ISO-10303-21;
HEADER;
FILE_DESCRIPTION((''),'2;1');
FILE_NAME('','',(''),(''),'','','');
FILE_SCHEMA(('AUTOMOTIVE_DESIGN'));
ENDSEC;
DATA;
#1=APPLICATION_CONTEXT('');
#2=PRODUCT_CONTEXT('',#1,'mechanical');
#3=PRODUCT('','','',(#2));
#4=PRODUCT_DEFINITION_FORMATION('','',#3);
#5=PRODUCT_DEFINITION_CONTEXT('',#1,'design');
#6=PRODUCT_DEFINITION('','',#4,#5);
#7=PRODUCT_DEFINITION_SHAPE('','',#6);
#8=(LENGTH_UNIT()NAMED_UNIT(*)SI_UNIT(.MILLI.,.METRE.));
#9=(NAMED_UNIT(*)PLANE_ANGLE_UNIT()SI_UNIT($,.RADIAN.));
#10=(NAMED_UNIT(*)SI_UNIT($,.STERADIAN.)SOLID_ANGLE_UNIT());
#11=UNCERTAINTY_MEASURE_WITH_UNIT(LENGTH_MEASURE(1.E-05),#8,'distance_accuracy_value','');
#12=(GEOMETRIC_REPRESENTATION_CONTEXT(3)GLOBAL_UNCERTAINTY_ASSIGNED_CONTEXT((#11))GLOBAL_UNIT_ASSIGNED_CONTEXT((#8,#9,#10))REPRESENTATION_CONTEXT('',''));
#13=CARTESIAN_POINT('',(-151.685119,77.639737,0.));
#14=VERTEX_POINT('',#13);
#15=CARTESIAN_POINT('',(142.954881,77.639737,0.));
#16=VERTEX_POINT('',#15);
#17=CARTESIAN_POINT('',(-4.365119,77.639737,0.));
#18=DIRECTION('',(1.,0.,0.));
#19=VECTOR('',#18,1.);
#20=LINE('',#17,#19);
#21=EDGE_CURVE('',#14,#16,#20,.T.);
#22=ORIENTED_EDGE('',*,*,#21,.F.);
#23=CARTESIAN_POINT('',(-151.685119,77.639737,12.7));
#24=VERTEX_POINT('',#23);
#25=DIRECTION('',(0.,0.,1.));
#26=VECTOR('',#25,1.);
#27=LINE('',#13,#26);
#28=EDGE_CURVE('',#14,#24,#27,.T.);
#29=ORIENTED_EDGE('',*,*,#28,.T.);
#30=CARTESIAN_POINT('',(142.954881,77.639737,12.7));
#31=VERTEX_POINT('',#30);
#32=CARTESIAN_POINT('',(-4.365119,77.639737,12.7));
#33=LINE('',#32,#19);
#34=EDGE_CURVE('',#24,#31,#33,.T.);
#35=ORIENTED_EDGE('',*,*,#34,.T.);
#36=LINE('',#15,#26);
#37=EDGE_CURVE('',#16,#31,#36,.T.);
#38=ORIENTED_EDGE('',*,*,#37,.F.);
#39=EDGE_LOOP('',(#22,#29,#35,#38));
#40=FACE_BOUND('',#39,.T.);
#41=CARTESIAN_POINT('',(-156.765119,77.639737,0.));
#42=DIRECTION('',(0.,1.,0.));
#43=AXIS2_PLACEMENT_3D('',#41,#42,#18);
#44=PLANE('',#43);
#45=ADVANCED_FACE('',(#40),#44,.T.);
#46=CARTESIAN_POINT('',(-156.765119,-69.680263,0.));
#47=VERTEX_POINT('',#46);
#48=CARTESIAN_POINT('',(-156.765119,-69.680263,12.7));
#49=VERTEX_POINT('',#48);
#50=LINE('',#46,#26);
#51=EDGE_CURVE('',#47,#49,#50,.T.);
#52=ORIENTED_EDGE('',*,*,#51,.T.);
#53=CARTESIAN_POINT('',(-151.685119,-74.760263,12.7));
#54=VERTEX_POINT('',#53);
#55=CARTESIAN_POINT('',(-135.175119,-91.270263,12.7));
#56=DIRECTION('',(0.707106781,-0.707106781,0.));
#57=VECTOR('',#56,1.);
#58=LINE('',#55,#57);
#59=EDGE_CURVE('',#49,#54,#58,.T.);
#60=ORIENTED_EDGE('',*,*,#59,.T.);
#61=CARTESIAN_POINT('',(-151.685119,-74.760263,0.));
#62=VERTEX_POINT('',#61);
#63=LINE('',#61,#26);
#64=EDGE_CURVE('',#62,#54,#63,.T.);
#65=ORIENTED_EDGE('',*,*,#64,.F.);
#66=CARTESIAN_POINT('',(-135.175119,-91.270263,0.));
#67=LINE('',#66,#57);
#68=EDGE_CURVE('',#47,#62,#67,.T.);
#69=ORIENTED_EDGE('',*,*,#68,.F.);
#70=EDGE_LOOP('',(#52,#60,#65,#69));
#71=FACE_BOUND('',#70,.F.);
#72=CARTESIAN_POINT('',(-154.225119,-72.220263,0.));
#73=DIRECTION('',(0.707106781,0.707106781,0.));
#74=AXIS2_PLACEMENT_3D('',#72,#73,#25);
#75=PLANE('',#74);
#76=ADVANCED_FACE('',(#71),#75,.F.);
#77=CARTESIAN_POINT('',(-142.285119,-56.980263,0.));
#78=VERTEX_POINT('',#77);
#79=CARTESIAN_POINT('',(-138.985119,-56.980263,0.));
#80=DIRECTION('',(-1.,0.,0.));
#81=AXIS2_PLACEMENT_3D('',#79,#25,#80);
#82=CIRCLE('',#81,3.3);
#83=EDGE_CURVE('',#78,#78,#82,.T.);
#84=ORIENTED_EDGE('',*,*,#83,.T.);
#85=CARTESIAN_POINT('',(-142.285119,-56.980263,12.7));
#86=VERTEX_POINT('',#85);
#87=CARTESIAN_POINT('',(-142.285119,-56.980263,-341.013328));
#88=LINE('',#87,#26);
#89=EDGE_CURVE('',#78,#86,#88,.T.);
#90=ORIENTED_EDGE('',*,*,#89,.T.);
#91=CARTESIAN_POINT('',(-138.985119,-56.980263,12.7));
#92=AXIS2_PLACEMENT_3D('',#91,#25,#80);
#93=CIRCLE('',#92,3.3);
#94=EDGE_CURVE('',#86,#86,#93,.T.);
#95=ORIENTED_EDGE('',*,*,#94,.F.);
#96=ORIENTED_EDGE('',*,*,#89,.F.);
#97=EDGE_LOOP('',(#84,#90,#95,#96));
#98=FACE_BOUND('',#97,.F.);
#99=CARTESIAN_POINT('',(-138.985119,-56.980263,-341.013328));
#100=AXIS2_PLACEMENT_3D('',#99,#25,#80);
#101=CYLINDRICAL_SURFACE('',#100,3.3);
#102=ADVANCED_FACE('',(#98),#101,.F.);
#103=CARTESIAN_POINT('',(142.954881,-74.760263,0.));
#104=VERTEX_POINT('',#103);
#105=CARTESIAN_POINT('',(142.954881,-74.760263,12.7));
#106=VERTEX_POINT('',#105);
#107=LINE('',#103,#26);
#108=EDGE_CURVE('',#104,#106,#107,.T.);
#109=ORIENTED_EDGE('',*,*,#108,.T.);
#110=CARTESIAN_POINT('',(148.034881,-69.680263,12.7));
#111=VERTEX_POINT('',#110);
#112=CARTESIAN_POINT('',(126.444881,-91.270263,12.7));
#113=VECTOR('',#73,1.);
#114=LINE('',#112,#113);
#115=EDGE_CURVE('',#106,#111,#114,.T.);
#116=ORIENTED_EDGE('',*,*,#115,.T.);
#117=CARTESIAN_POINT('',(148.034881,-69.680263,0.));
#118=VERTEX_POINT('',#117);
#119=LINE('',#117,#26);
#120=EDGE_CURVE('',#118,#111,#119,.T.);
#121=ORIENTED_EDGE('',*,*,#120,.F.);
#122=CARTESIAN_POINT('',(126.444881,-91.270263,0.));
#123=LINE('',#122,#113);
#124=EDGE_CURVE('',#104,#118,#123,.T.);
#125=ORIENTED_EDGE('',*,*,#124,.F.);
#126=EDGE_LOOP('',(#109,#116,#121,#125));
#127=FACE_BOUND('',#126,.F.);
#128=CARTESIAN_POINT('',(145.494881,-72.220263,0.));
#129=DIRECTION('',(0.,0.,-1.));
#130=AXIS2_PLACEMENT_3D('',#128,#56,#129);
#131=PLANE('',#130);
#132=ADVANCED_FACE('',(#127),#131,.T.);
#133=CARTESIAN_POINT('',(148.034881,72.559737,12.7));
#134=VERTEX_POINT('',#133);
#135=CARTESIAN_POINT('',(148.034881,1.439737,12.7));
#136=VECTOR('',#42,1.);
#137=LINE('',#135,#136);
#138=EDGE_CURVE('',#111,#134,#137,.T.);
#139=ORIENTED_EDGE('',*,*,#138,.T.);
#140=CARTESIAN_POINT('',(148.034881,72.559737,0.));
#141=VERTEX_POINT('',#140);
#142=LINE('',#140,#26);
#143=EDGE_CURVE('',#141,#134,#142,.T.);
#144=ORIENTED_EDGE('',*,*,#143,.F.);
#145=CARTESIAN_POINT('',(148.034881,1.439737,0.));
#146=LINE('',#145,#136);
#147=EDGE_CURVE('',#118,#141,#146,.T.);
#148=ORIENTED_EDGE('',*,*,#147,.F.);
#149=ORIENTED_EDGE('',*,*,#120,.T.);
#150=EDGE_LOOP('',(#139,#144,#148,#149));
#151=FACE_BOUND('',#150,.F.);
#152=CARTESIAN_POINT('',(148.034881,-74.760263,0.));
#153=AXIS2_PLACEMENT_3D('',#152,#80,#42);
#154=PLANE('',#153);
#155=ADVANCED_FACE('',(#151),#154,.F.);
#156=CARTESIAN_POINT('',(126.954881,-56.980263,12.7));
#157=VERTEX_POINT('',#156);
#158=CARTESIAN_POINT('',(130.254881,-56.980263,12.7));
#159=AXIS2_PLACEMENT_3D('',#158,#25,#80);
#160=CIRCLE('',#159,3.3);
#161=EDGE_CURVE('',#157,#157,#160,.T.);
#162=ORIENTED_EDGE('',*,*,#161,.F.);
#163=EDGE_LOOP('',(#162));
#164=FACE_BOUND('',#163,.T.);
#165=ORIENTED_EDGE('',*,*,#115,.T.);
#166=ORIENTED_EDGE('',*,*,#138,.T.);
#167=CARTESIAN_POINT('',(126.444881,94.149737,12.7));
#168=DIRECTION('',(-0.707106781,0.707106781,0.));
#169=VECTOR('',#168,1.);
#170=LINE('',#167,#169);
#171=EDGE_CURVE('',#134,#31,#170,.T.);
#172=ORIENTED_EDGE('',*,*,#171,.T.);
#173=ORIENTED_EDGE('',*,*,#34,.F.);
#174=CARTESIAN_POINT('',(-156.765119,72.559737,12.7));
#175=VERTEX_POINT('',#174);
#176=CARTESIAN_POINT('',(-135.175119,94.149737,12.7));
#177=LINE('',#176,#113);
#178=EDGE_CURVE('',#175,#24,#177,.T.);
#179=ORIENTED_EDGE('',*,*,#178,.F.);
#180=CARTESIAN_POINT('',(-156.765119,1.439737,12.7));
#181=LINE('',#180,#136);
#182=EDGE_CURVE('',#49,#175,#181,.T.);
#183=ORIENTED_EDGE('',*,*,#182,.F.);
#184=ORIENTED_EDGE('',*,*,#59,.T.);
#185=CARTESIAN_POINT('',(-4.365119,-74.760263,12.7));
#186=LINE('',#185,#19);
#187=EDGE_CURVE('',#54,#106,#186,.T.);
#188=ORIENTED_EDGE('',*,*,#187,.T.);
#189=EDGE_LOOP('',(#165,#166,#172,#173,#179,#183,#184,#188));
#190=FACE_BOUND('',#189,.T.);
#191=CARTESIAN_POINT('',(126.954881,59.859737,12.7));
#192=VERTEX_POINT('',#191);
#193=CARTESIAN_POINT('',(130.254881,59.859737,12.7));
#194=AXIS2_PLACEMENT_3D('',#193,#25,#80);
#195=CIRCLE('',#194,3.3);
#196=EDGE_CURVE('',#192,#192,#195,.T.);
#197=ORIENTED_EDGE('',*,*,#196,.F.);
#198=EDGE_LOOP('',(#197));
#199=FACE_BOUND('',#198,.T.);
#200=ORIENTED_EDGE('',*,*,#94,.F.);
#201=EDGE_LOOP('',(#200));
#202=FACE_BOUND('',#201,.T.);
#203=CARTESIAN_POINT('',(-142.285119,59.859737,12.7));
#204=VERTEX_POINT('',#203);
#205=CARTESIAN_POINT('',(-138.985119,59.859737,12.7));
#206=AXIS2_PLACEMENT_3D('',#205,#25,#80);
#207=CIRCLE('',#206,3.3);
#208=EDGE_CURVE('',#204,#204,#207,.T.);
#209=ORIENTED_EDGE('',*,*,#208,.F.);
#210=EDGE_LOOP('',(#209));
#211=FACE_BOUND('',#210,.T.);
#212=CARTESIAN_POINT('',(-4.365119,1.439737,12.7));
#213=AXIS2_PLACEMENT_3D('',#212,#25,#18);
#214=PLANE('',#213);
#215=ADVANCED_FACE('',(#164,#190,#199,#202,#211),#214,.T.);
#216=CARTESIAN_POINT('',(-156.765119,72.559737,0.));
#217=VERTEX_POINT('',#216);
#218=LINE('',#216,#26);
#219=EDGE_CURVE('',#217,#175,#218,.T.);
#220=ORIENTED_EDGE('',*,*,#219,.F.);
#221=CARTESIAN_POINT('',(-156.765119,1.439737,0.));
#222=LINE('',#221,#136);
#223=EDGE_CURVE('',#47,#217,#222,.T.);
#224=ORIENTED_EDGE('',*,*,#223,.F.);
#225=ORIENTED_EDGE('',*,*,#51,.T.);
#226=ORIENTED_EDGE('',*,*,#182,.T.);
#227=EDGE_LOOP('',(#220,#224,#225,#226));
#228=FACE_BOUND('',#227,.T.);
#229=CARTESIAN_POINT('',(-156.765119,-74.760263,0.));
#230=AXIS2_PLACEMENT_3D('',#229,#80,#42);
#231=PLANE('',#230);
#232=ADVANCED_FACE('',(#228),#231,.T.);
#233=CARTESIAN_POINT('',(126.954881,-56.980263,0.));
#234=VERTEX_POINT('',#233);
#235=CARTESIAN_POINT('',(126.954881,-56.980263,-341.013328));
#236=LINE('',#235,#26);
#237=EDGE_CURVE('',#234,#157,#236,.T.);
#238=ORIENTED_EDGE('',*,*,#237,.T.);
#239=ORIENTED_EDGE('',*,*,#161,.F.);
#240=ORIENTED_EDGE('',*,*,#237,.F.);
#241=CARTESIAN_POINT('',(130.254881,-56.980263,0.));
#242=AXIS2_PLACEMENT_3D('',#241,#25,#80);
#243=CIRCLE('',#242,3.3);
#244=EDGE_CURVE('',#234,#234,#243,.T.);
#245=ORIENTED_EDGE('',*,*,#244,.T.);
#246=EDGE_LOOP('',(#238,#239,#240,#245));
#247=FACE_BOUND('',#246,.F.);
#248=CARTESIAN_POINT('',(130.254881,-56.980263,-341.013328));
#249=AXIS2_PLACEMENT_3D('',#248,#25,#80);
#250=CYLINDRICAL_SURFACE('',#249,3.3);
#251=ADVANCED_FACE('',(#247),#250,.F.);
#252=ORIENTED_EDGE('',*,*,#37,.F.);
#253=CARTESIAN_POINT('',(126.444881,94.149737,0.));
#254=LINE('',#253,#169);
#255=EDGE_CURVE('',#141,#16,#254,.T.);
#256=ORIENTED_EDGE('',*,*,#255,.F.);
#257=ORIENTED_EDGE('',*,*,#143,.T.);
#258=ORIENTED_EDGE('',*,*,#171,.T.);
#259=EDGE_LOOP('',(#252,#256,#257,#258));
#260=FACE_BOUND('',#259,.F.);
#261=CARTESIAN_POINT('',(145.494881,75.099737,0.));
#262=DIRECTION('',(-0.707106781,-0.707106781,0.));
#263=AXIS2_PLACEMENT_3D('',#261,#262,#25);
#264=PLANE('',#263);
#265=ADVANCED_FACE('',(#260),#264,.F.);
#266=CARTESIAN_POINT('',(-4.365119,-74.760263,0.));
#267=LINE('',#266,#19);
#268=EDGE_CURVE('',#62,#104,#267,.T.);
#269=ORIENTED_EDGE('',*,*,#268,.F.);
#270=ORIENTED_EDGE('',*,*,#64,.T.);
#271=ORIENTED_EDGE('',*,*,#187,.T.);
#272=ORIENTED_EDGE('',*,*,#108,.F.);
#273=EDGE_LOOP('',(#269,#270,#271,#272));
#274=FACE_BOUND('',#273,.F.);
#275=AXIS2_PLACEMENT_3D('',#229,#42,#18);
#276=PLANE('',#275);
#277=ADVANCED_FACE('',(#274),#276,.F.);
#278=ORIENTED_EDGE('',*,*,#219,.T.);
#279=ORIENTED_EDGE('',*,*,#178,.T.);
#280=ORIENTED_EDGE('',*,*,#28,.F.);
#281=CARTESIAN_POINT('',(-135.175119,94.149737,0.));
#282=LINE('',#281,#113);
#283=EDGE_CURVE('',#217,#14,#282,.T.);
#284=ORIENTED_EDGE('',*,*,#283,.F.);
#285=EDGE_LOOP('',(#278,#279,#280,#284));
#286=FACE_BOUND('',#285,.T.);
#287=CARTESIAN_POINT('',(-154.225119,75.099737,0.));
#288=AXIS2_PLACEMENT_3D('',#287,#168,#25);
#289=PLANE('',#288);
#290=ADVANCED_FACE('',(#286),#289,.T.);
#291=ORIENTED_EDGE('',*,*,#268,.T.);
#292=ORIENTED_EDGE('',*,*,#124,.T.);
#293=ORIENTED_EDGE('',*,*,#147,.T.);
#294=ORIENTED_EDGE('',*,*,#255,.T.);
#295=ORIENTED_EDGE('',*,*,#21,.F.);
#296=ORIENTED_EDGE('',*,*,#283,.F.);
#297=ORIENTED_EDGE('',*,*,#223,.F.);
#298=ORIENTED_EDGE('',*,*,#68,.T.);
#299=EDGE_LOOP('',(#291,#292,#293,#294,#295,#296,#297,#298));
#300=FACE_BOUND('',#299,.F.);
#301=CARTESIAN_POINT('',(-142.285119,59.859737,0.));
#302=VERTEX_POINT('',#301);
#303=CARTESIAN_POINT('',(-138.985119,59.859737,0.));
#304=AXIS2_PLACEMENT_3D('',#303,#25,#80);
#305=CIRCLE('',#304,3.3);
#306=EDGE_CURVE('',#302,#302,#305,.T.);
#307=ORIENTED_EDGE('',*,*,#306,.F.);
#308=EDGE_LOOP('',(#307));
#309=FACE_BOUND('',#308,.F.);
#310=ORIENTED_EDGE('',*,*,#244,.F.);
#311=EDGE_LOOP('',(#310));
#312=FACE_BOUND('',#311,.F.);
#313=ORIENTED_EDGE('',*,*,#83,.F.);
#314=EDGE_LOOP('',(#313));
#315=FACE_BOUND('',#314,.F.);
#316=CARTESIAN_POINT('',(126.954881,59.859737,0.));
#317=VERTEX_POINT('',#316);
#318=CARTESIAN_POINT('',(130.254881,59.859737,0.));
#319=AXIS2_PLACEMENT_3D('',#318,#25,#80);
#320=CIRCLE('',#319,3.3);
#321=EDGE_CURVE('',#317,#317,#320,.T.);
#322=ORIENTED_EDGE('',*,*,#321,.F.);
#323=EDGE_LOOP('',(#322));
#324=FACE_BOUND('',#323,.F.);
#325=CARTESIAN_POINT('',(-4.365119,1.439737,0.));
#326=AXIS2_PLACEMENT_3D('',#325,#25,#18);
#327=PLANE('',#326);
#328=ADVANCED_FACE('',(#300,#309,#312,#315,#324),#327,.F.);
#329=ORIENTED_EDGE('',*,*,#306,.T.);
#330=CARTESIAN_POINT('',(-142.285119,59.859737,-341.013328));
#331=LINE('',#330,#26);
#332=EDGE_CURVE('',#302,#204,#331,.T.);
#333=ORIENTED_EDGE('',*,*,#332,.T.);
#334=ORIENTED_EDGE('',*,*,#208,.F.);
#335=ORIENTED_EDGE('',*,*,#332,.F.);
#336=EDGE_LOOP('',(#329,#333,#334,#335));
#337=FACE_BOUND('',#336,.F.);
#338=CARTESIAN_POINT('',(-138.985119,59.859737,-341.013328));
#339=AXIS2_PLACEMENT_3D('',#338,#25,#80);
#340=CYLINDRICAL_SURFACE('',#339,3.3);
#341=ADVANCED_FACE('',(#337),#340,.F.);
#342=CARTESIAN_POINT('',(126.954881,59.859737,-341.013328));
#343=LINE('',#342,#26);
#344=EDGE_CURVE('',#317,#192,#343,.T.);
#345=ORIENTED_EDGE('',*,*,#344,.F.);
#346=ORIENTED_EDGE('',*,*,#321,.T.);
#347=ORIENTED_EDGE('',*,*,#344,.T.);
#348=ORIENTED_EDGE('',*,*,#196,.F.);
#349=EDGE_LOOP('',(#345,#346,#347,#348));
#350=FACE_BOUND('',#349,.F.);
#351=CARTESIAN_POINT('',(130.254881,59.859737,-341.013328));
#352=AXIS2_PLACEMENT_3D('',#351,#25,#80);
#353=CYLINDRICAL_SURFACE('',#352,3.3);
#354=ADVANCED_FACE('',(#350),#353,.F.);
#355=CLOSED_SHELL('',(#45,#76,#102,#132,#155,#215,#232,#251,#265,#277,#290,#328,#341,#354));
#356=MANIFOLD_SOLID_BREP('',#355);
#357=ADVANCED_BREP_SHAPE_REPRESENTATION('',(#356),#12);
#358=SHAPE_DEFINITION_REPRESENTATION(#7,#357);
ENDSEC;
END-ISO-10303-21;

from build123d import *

# Parameters (mm, degrees)
F0_W     = 304.8
F0_H     = 152.4
F1_DEPTH = 12.7
F2_SIZE  = 5.08
F4_D     = 6.6


with BuildPart() as f1:
    # F0 (on Top) → F1 (new body)
    with BuildSketch(Plane.XY):
        with Locations((-4.3651189959, 1.439737156)):
            Rectangle(F0_W, F0_H)
    extrude(amount=F1_DEPTH)

    # F2
    f2_edges = [f1.edges().sort_by_distance(p)[0] for p in [
        (148.034881, -74.760263, 6.35),
        (148.034881, 77.639737, 6.35),
        (-156.765119, 77.639737, 6.35),
        (-156.765119, -74.760263, 6.35),
    ]]
    chamfer(f2_edges, length=F2_SIZE)

    # F4 (through all)
    with Locations(Plane(origin=(0, 0, 0), x_dir=(1, 0, 0), z_dir=(0, 0, -1))):
        with Locations((-138.9851189959, -59.859737156), (-138.9851189959, 56.980262844), (130.2548810041, 56.980262844), (130.2548810041, -59.859737156)):
            Hole(F4_D / 2)


solid = f1.part
